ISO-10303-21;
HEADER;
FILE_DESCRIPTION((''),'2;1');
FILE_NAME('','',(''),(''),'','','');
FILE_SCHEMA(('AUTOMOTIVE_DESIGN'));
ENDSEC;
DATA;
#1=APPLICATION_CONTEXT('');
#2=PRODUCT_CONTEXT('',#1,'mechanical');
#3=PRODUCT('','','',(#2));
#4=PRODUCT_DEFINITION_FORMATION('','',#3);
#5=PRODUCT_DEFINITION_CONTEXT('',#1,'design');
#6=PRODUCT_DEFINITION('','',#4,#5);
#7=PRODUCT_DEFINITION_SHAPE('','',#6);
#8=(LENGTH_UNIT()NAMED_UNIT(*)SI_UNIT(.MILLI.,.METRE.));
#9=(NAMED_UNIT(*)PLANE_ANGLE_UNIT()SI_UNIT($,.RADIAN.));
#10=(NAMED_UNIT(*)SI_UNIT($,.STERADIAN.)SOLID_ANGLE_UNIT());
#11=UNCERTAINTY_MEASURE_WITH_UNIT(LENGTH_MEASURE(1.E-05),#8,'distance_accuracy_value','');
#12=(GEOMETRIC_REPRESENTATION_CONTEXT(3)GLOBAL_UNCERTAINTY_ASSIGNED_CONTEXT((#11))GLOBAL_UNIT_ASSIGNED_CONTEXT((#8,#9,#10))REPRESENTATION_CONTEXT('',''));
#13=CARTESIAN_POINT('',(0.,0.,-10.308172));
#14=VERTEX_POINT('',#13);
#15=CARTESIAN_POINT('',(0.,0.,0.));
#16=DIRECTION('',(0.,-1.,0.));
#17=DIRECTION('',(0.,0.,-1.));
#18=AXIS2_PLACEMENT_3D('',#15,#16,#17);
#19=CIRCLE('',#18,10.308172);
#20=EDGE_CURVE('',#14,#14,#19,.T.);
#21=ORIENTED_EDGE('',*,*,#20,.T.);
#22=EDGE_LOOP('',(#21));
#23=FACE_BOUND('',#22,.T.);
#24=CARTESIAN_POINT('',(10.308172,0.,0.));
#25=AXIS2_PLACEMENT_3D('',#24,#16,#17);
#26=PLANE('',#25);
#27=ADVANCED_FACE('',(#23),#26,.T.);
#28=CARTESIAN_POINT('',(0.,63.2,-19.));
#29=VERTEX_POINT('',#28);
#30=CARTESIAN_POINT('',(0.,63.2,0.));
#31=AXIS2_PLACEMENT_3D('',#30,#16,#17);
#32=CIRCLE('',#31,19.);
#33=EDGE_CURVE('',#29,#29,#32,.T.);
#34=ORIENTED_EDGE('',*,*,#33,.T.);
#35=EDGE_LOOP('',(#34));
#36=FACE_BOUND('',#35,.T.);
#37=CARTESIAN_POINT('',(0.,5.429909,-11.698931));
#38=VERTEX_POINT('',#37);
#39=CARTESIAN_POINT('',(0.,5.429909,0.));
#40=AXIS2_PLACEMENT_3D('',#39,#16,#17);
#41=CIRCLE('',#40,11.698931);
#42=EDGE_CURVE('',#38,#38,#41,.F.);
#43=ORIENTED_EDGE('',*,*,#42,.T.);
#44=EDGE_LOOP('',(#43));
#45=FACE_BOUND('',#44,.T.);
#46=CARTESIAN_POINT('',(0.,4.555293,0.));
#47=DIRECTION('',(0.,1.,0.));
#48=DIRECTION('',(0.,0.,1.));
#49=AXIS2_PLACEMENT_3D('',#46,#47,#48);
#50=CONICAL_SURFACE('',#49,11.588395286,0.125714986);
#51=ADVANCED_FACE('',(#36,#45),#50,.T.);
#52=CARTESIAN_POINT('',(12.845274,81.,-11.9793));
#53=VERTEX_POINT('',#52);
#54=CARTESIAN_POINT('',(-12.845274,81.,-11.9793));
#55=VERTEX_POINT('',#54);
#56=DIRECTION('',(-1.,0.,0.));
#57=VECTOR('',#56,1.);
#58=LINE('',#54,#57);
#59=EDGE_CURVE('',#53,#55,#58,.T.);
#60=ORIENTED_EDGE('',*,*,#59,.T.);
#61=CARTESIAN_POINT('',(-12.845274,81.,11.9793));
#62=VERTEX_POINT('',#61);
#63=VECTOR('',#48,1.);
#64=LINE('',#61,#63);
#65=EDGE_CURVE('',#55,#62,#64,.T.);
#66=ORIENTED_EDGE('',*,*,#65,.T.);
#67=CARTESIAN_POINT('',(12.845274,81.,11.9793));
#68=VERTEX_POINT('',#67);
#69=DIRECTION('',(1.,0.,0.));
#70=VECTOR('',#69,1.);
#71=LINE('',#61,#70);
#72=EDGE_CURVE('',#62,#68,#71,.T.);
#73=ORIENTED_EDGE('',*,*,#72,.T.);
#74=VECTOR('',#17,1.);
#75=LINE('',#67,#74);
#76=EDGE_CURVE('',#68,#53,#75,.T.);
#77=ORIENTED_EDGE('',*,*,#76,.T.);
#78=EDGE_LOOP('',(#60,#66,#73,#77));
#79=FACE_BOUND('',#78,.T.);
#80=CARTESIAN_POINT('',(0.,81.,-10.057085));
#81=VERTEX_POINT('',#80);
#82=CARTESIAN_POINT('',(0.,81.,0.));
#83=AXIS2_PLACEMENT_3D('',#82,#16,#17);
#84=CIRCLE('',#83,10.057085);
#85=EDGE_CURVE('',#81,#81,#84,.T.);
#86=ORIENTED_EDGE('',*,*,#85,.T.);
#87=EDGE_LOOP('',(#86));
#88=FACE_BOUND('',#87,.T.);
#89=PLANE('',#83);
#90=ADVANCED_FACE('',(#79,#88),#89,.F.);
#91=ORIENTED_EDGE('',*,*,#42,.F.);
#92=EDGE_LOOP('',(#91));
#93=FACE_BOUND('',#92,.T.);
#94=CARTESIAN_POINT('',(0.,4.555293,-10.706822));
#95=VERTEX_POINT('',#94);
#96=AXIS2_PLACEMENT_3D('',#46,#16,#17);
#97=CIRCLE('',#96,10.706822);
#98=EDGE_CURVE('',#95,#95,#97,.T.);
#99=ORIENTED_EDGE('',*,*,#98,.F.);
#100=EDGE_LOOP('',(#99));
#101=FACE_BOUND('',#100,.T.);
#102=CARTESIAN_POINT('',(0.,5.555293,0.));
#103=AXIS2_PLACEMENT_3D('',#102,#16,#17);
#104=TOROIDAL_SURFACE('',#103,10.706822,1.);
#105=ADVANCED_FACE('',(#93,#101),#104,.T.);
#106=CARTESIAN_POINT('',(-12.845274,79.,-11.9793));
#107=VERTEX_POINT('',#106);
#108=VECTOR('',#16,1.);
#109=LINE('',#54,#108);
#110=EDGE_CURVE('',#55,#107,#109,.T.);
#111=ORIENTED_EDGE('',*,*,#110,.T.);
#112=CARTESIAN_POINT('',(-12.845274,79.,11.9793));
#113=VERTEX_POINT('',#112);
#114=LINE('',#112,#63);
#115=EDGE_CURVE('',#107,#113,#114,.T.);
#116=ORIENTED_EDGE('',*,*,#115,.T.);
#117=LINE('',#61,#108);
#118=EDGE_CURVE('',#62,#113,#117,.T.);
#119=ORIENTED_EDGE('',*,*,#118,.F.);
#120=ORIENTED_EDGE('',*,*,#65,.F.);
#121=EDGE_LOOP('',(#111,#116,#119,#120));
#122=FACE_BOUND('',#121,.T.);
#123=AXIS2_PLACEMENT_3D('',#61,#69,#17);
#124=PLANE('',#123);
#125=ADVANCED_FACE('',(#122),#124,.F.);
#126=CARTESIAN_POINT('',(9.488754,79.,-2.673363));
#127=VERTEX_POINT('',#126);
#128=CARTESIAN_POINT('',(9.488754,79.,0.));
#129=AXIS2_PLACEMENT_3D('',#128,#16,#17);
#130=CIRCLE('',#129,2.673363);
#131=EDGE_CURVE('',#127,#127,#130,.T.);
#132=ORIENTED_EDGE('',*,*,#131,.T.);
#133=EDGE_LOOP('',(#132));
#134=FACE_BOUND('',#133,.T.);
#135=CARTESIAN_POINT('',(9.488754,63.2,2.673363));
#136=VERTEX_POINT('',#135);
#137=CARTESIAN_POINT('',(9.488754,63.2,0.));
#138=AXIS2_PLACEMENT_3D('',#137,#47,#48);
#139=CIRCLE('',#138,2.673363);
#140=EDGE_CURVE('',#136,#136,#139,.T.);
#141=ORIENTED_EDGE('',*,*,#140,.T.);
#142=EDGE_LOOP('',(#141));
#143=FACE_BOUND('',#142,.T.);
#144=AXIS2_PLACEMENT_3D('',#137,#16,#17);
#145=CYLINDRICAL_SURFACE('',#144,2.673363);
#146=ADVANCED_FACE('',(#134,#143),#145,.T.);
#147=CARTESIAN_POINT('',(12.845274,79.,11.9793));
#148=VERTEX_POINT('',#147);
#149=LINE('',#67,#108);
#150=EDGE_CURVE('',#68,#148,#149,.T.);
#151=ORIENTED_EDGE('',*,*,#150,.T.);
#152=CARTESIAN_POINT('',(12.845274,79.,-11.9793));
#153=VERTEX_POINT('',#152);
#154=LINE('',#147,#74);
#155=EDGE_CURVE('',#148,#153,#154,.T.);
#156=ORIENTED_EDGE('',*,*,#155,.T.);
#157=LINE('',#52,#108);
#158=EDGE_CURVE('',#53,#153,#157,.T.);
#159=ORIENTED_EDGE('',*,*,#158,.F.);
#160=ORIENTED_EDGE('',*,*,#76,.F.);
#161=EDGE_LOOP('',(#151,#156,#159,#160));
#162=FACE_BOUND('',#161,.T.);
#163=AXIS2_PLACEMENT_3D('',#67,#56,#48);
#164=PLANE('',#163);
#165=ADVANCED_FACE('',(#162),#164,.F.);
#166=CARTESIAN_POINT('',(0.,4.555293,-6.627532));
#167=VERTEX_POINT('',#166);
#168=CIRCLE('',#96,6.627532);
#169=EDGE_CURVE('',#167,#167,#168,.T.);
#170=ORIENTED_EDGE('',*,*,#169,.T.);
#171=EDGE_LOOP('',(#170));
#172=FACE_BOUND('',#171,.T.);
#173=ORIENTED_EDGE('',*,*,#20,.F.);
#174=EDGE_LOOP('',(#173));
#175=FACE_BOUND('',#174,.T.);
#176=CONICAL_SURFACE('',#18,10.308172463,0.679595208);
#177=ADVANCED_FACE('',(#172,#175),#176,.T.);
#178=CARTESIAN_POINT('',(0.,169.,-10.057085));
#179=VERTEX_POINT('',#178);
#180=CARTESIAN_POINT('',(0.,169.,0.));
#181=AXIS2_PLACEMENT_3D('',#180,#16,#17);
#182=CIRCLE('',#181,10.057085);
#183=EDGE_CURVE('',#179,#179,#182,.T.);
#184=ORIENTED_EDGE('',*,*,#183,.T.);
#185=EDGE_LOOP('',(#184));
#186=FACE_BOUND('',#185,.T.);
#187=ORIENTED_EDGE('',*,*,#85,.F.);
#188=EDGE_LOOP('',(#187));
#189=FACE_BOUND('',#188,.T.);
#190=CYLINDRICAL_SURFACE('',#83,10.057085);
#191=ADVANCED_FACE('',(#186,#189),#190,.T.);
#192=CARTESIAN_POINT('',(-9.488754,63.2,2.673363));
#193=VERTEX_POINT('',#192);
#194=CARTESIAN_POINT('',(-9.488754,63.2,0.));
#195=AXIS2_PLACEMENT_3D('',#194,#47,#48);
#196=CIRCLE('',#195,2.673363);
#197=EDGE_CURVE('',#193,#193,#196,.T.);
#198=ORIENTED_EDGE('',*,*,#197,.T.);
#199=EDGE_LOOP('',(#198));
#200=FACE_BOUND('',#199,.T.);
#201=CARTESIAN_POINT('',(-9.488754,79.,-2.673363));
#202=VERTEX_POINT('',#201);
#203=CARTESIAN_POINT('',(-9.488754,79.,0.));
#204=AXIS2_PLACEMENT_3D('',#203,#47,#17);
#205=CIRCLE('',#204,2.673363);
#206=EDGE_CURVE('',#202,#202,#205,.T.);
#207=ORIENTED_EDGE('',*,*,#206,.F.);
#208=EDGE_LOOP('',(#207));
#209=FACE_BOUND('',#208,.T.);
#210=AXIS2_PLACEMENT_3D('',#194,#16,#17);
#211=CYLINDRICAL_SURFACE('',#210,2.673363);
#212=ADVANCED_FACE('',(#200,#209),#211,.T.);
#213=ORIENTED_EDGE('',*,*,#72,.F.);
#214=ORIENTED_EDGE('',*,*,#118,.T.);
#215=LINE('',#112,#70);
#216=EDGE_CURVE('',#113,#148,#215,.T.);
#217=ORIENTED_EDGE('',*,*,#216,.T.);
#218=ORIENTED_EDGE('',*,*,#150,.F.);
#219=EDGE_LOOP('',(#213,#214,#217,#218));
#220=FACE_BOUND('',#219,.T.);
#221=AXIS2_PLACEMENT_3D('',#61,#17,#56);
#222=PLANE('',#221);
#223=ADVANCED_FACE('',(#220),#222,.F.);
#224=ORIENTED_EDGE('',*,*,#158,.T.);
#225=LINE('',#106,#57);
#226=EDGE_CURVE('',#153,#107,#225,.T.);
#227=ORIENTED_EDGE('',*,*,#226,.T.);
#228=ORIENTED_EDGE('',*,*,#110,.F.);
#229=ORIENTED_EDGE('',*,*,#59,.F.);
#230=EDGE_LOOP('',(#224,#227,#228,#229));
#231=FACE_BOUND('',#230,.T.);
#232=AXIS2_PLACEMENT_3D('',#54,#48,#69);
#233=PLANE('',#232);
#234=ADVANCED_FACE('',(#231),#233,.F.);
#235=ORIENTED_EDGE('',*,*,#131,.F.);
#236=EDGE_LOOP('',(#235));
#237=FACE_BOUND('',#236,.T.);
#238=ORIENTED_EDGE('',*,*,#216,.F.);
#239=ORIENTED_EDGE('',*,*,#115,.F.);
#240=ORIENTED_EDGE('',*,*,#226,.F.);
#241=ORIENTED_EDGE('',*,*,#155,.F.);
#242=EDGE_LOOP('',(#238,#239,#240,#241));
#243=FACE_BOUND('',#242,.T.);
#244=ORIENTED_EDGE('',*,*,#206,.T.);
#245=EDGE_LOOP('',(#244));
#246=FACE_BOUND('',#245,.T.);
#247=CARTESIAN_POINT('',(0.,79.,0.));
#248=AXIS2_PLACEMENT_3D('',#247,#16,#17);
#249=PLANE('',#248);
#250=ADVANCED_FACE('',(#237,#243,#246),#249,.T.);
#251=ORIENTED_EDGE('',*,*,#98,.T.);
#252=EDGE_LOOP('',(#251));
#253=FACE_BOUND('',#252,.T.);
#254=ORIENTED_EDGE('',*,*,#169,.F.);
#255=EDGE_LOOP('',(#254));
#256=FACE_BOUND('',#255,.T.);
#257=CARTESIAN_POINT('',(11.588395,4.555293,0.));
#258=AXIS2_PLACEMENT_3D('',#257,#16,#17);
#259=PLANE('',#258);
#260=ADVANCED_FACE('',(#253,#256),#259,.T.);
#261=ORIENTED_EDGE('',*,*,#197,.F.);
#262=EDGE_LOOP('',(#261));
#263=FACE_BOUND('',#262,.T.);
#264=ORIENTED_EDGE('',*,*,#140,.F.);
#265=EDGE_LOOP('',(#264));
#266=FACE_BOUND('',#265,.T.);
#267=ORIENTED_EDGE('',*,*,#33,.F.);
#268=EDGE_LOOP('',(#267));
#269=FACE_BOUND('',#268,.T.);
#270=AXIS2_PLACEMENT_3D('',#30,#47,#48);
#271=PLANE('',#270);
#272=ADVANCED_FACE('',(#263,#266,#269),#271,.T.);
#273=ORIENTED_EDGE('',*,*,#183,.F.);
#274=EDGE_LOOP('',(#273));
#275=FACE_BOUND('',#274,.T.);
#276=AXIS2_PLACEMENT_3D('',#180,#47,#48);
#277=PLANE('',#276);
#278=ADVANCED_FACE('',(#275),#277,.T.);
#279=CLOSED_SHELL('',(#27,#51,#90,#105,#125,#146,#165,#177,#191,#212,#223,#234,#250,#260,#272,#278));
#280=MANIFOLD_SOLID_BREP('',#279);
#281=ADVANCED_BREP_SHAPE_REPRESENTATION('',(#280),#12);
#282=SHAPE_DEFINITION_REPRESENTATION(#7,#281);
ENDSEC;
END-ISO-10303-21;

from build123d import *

# Parameters (mm, degrees)
FILLET3_R           = 1
SKETCH2_W           = 2.6733627
SKETCH2_H           = 15.8
SKETCH4_W           = 25.690547406
SKETCH4_H           = 23.95860039
BOSS_EXTRUDE1_DEPTH = 2
SKETCH5_W           = 10.057084603
SKETCH5_H           = 88


with BuildPart() as part:
    # Sketch1 → Revolve1 (revolve)
    with BuildSketch(Plane.XY):
        Polygon((0, 0), (0, 63.2), (19, 63.2), (11.588395286, 4.555292852), (6.627531845, 4.555292852), (10.308172463, 0), align=None)
    revolve(axis=Axis((0, 0, 0), (0, 1, 0)))

    # Fillet3
    fillet3_edges = [part.edges().sort_by_distance(p)[0] for p in [
        (-11.588395286, 4.555292852, 0),
    ]]
    fillet(fillet3_edges, radius=FILLET3_R)

    # Sketch2 → Revolve2 (revolve)
    with BuildSketch(Plane.XY):
        with Locations((10.825435474, 71.1)):
            Rectangle(SKETCH2_W, SKETCH2_H)
    revolve2 = revolve(axis=Axis((9.488754124, 63.2, 0), (0, 1, 0)))

    # Mirror1: Revolve2 across plane
    add(revolve2.mirror(Plane(origin=(0, 0, 0), x_dir=(0, 0, 1), z_dir=(1, 0, 0))))

    # Sketch4 → Boss-Extrude1 (add)
    with BuildSketch(Plane(origin=(0, 79, 0), x_dir=(1, 0, 0), z_dir=(0, 1, 0))):
        Rectangle(SKETCH4_W, SKETCH4_H)
    extrude(amount=BOSS_EXTRUDE1_DEPTH)

    # Sketch5 → Revolve4 (revolve)
    with BuildSketch(Plane.XY):
        with Locations((5.028542301, 125)):
            Rectangle(SKETCH5_W, SKETCH5_H)
    revolve(axis=Axis((0, 81, 0), (0, 1, 0)))


solid = part.part
